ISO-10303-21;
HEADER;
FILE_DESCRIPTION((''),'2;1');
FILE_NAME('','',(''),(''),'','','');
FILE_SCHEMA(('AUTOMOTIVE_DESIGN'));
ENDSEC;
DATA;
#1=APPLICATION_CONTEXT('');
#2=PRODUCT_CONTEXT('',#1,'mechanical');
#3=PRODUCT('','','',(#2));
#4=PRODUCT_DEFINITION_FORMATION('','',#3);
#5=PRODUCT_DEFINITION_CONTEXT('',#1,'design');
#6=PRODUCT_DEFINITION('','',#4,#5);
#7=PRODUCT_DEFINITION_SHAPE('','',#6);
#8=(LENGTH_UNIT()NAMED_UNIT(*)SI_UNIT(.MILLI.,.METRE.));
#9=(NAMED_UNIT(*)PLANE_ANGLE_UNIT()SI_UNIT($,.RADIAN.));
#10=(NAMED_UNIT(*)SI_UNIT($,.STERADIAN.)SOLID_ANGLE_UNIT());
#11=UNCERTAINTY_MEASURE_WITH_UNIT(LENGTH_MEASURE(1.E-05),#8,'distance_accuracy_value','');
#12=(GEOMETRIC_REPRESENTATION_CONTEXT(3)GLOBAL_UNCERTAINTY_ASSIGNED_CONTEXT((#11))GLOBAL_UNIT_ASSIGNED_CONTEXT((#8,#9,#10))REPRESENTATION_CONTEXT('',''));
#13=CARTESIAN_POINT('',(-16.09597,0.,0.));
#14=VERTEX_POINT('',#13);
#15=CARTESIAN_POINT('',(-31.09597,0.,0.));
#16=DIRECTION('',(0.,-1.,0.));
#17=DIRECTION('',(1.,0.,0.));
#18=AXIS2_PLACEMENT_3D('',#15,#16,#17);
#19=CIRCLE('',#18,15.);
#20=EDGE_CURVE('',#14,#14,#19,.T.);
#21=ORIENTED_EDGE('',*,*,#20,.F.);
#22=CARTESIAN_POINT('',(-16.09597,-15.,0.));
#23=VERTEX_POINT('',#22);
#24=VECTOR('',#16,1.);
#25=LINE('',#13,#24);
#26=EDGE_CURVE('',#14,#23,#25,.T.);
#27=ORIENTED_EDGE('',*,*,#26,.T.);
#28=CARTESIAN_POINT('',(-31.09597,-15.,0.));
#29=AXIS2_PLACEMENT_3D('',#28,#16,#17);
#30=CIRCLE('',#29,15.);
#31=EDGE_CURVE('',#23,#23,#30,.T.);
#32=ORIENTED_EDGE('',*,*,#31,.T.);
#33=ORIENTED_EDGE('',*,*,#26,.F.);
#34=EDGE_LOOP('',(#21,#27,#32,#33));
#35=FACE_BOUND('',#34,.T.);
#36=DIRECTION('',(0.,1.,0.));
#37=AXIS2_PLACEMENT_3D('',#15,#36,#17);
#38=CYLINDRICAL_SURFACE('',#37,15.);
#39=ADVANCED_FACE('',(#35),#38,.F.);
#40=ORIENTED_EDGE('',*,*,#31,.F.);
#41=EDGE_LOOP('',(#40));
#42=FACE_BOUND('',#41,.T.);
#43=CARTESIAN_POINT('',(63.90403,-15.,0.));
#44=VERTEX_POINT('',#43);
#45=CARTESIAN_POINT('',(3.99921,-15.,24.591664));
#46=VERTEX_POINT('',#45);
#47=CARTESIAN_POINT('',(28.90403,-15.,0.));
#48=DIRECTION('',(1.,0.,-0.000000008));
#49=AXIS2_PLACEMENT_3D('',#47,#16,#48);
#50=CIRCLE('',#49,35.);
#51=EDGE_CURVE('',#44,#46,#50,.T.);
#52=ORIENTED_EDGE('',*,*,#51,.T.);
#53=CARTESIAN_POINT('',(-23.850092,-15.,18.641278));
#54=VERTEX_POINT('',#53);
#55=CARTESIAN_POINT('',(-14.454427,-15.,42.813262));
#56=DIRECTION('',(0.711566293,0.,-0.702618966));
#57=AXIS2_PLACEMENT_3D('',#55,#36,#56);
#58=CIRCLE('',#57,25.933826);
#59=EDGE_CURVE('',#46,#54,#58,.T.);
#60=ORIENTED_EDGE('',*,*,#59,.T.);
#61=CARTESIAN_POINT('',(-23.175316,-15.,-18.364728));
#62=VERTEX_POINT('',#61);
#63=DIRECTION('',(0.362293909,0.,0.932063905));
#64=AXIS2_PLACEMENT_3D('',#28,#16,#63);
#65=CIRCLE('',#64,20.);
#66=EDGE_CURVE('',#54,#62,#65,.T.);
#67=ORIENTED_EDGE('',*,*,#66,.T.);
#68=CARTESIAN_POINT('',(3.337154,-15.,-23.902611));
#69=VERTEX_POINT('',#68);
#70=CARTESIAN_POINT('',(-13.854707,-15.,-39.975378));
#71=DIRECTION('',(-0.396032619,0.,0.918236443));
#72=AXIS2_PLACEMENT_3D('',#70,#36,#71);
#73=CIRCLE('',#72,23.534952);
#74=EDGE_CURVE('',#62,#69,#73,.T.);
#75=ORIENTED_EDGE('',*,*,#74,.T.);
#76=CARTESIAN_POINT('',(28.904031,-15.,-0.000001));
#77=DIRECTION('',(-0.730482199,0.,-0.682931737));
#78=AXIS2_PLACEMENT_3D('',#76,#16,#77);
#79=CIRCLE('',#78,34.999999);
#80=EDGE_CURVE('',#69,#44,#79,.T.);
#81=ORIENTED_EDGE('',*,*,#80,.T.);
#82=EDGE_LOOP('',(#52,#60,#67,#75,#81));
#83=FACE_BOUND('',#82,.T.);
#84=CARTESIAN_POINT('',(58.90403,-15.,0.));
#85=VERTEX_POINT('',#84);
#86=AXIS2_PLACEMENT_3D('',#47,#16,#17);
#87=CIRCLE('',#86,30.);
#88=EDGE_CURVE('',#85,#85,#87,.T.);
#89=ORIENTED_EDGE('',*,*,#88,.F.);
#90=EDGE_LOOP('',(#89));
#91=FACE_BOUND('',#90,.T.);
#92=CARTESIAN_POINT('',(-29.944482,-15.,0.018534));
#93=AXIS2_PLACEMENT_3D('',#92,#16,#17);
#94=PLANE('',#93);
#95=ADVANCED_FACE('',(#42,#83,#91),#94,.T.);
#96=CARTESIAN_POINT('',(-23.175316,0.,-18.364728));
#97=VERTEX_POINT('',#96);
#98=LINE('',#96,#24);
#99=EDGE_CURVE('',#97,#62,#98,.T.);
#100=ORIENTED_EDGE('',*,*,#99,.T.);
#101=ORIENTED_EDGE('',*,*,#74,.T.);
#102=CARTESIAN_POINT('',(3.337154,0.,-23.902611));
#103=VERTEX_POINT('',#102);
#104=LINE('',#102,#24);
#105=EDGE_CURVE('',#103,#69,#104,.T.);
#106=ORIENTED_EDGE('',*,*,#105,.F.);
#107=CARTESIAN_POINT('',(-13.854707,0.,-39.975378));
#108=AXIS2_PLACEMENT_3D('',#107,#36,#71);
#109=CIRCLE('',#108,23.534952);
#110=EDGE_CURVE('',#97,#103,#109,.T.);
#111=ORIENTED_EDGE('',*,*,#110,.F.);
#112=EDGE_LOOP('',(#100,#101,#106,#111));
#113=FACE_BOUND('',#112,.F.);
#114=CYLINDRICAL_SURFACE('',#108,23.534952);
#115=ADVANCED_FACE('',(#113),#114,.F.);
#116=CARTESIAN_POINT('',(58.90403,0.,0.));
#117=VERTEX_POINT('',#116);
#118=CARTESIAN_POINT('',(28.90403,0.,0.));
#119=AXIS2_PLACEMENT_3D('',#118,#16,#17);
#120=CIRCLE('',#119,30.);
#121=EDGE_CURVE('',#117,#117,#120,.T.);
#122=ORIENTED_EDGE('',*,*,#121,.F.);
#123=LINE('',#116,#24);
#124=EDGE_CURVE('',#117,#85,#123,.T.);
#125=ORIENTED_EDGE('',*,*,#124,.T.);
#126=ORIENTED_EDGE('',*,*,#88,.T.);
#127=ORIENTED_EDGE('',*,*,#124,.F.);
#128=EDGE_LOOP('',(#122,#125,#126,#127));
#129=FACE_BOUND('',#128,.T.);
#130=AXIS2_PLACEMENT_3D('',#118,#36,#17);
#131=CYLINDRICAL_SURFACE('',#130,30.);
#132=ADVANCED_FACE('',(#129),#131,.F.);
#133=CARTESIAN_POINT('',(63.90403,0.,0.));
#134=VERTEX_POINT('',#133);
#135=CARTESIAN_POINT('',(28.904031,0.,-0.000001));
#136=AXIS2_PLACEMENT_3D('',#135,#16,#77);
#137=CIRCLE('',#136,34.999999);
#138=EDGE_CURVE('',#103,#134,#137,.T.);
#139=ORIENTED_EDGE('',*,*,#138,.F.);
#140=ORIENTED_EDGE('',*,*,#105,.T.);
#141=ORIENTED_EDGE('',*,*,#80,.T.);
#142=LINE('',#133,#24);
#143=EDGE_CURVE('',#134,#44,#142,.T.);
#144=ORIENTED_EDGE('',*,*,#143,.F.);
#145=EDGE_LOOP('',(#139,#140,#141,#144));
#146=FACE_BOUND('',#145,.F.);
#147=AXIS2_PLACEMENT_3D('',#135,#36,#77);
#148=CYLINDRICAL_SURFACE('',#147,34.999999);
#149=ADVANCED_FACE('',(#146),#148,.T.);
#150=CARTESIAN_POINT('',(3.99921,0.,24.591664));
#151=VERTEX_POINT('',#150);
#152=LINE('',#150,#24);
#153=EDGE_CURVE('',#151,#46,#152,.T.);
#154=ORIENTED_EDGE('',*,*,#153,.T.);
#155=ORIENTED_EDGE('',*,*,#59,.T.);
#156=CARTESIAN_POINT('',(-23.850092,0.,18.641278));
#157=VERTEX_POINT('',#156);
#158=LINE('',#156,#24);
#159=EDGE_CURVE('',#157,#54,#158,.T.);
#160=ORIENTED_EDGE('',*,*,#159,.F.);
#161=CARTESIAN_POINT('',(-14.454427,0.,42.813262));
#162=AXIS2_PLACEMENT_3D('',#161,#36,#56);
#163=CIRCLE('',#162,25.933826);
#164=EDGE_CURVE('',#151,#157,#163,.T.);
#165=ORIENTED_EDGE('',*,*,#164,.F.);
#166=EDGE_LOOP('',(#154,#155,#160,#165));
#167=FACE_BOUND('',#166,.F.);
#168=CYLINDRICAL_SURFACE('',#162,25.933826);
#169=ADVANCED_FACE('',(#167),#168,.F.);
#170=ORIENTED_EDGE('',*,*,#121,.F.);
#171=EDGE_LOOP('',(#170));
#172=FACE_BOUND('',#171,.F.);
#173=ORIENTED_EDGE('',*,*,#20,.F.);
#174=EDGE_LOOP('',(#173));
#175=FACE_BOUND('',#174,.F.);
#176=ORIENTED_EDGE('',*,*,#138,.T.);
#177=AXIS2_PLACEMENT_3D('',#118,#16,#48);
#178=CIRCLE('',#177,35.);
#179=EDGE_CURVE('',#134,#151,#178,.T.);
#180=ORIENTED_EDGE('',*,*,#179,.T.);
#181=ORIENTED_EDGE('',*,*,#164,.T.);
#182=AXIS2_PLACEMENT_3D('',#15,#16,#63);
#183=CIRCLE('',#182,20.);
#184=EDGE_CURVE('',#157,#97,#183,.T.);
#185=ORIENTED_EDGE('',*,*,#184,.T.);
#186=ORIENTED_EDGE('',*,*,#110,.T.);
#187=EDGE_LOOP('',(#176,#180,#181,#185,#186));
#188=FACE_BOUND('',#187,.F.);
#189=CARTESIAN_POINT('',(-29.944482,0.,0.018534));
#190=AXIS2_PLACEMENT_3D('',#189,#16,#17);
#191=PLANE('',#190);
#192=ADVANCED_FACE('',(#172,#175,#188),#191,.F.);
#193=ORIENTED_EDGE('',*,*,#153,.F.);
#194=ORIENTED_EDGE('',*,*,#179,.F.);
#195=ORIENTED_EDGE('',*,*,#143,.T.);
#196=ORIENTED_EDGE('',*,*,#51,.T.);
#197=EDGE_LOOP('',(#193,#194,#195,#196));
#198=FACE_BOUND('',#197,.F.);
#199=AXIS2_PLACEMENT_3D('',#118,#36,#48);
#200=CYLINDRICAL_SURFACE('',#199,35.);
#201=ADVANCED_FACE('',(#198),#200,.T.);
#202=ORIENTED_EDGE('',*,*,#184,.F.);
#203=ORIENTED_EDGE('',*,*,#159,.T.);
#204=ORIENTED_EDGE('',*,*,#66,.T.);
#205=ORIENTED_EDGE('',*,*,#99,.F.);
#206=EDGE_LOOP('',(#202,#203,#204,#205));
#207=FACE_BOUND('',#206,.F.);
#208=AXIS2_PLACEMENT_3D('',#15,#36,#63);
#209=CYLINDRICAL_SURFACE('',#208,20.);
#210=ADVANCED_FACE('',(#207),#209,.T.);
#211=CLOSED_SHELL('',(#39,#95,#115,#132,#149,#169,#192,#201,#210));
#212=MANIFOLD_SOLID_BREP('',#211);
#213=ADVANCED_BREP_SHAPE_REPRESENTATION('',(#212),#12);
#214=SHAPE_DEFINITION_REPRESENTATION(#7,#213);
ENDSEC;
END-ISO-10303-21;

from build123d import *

# Parameters (mm, degrees)
F0_R     = 15
F0_R_2   = 30
F1_DEPTH = 15


with BuildPart() as f1:
    # F0 (on Front) → F1 (new body)
    with BuildSketch(Plane.XZ):
        with BuildLine():
            ThreePointArc((-23.175316, -18.364728), (-14.386495, -10.990608), (-11.09597, 0))
            ThreePointArc((-11.09597, 0), (-14.589644, 11.293415), (-23.850092, 18.641278))
            ThreePointArc((-23.850092, 18.641278), (-51.092646, -0.364624), (-23.175316, -18.364728))
        make_face()
        with Locations((-31.09597, 0)):
            Circle(F0_R, mode=Mode.SUBTRACT)
        with BuildLine():
            ThreePointArc((-23.850092, 18.641278), (-14.589644, 11.293415), (-11.09597, 0))
            ThreePointArc((-11.09597, 0), (-14.386495, -10.990608), (-23.175316, -18.364728))
            ThreePointArc((-23.175316, -18.364728), (-9.042619, -16.937632), (3.337154, -23.902611))
            ThreePointArc((3.337154, -23.902611), (-6.092708, 0.477784), (3.99921, 24.591664))
            ThreePointArc((3.99921, 24.591664), (-9.035618, 17.451877), (-23.850092, 18.641278))
        make_face()
        with BuildLine():
            ThreePointArc((63.90403, 0), (42.195593, 32.377992), (3.99921, 24.591664))
            ThreePointArc((3.99921, 24.591664), (-6.092708, 0.477784), (3.337154, -23.902611))
            ThreePointArc((3.337154, -23.902611), (41.752363, -32.556418), (63.90403, 0))
        make_face()
        with Locations((28.90403, 0)):
            Circle(F0_R_2, mode=Mode.SUBTRACT)
    extrude(amount=F1_DEPTH)


solid = f1.part
